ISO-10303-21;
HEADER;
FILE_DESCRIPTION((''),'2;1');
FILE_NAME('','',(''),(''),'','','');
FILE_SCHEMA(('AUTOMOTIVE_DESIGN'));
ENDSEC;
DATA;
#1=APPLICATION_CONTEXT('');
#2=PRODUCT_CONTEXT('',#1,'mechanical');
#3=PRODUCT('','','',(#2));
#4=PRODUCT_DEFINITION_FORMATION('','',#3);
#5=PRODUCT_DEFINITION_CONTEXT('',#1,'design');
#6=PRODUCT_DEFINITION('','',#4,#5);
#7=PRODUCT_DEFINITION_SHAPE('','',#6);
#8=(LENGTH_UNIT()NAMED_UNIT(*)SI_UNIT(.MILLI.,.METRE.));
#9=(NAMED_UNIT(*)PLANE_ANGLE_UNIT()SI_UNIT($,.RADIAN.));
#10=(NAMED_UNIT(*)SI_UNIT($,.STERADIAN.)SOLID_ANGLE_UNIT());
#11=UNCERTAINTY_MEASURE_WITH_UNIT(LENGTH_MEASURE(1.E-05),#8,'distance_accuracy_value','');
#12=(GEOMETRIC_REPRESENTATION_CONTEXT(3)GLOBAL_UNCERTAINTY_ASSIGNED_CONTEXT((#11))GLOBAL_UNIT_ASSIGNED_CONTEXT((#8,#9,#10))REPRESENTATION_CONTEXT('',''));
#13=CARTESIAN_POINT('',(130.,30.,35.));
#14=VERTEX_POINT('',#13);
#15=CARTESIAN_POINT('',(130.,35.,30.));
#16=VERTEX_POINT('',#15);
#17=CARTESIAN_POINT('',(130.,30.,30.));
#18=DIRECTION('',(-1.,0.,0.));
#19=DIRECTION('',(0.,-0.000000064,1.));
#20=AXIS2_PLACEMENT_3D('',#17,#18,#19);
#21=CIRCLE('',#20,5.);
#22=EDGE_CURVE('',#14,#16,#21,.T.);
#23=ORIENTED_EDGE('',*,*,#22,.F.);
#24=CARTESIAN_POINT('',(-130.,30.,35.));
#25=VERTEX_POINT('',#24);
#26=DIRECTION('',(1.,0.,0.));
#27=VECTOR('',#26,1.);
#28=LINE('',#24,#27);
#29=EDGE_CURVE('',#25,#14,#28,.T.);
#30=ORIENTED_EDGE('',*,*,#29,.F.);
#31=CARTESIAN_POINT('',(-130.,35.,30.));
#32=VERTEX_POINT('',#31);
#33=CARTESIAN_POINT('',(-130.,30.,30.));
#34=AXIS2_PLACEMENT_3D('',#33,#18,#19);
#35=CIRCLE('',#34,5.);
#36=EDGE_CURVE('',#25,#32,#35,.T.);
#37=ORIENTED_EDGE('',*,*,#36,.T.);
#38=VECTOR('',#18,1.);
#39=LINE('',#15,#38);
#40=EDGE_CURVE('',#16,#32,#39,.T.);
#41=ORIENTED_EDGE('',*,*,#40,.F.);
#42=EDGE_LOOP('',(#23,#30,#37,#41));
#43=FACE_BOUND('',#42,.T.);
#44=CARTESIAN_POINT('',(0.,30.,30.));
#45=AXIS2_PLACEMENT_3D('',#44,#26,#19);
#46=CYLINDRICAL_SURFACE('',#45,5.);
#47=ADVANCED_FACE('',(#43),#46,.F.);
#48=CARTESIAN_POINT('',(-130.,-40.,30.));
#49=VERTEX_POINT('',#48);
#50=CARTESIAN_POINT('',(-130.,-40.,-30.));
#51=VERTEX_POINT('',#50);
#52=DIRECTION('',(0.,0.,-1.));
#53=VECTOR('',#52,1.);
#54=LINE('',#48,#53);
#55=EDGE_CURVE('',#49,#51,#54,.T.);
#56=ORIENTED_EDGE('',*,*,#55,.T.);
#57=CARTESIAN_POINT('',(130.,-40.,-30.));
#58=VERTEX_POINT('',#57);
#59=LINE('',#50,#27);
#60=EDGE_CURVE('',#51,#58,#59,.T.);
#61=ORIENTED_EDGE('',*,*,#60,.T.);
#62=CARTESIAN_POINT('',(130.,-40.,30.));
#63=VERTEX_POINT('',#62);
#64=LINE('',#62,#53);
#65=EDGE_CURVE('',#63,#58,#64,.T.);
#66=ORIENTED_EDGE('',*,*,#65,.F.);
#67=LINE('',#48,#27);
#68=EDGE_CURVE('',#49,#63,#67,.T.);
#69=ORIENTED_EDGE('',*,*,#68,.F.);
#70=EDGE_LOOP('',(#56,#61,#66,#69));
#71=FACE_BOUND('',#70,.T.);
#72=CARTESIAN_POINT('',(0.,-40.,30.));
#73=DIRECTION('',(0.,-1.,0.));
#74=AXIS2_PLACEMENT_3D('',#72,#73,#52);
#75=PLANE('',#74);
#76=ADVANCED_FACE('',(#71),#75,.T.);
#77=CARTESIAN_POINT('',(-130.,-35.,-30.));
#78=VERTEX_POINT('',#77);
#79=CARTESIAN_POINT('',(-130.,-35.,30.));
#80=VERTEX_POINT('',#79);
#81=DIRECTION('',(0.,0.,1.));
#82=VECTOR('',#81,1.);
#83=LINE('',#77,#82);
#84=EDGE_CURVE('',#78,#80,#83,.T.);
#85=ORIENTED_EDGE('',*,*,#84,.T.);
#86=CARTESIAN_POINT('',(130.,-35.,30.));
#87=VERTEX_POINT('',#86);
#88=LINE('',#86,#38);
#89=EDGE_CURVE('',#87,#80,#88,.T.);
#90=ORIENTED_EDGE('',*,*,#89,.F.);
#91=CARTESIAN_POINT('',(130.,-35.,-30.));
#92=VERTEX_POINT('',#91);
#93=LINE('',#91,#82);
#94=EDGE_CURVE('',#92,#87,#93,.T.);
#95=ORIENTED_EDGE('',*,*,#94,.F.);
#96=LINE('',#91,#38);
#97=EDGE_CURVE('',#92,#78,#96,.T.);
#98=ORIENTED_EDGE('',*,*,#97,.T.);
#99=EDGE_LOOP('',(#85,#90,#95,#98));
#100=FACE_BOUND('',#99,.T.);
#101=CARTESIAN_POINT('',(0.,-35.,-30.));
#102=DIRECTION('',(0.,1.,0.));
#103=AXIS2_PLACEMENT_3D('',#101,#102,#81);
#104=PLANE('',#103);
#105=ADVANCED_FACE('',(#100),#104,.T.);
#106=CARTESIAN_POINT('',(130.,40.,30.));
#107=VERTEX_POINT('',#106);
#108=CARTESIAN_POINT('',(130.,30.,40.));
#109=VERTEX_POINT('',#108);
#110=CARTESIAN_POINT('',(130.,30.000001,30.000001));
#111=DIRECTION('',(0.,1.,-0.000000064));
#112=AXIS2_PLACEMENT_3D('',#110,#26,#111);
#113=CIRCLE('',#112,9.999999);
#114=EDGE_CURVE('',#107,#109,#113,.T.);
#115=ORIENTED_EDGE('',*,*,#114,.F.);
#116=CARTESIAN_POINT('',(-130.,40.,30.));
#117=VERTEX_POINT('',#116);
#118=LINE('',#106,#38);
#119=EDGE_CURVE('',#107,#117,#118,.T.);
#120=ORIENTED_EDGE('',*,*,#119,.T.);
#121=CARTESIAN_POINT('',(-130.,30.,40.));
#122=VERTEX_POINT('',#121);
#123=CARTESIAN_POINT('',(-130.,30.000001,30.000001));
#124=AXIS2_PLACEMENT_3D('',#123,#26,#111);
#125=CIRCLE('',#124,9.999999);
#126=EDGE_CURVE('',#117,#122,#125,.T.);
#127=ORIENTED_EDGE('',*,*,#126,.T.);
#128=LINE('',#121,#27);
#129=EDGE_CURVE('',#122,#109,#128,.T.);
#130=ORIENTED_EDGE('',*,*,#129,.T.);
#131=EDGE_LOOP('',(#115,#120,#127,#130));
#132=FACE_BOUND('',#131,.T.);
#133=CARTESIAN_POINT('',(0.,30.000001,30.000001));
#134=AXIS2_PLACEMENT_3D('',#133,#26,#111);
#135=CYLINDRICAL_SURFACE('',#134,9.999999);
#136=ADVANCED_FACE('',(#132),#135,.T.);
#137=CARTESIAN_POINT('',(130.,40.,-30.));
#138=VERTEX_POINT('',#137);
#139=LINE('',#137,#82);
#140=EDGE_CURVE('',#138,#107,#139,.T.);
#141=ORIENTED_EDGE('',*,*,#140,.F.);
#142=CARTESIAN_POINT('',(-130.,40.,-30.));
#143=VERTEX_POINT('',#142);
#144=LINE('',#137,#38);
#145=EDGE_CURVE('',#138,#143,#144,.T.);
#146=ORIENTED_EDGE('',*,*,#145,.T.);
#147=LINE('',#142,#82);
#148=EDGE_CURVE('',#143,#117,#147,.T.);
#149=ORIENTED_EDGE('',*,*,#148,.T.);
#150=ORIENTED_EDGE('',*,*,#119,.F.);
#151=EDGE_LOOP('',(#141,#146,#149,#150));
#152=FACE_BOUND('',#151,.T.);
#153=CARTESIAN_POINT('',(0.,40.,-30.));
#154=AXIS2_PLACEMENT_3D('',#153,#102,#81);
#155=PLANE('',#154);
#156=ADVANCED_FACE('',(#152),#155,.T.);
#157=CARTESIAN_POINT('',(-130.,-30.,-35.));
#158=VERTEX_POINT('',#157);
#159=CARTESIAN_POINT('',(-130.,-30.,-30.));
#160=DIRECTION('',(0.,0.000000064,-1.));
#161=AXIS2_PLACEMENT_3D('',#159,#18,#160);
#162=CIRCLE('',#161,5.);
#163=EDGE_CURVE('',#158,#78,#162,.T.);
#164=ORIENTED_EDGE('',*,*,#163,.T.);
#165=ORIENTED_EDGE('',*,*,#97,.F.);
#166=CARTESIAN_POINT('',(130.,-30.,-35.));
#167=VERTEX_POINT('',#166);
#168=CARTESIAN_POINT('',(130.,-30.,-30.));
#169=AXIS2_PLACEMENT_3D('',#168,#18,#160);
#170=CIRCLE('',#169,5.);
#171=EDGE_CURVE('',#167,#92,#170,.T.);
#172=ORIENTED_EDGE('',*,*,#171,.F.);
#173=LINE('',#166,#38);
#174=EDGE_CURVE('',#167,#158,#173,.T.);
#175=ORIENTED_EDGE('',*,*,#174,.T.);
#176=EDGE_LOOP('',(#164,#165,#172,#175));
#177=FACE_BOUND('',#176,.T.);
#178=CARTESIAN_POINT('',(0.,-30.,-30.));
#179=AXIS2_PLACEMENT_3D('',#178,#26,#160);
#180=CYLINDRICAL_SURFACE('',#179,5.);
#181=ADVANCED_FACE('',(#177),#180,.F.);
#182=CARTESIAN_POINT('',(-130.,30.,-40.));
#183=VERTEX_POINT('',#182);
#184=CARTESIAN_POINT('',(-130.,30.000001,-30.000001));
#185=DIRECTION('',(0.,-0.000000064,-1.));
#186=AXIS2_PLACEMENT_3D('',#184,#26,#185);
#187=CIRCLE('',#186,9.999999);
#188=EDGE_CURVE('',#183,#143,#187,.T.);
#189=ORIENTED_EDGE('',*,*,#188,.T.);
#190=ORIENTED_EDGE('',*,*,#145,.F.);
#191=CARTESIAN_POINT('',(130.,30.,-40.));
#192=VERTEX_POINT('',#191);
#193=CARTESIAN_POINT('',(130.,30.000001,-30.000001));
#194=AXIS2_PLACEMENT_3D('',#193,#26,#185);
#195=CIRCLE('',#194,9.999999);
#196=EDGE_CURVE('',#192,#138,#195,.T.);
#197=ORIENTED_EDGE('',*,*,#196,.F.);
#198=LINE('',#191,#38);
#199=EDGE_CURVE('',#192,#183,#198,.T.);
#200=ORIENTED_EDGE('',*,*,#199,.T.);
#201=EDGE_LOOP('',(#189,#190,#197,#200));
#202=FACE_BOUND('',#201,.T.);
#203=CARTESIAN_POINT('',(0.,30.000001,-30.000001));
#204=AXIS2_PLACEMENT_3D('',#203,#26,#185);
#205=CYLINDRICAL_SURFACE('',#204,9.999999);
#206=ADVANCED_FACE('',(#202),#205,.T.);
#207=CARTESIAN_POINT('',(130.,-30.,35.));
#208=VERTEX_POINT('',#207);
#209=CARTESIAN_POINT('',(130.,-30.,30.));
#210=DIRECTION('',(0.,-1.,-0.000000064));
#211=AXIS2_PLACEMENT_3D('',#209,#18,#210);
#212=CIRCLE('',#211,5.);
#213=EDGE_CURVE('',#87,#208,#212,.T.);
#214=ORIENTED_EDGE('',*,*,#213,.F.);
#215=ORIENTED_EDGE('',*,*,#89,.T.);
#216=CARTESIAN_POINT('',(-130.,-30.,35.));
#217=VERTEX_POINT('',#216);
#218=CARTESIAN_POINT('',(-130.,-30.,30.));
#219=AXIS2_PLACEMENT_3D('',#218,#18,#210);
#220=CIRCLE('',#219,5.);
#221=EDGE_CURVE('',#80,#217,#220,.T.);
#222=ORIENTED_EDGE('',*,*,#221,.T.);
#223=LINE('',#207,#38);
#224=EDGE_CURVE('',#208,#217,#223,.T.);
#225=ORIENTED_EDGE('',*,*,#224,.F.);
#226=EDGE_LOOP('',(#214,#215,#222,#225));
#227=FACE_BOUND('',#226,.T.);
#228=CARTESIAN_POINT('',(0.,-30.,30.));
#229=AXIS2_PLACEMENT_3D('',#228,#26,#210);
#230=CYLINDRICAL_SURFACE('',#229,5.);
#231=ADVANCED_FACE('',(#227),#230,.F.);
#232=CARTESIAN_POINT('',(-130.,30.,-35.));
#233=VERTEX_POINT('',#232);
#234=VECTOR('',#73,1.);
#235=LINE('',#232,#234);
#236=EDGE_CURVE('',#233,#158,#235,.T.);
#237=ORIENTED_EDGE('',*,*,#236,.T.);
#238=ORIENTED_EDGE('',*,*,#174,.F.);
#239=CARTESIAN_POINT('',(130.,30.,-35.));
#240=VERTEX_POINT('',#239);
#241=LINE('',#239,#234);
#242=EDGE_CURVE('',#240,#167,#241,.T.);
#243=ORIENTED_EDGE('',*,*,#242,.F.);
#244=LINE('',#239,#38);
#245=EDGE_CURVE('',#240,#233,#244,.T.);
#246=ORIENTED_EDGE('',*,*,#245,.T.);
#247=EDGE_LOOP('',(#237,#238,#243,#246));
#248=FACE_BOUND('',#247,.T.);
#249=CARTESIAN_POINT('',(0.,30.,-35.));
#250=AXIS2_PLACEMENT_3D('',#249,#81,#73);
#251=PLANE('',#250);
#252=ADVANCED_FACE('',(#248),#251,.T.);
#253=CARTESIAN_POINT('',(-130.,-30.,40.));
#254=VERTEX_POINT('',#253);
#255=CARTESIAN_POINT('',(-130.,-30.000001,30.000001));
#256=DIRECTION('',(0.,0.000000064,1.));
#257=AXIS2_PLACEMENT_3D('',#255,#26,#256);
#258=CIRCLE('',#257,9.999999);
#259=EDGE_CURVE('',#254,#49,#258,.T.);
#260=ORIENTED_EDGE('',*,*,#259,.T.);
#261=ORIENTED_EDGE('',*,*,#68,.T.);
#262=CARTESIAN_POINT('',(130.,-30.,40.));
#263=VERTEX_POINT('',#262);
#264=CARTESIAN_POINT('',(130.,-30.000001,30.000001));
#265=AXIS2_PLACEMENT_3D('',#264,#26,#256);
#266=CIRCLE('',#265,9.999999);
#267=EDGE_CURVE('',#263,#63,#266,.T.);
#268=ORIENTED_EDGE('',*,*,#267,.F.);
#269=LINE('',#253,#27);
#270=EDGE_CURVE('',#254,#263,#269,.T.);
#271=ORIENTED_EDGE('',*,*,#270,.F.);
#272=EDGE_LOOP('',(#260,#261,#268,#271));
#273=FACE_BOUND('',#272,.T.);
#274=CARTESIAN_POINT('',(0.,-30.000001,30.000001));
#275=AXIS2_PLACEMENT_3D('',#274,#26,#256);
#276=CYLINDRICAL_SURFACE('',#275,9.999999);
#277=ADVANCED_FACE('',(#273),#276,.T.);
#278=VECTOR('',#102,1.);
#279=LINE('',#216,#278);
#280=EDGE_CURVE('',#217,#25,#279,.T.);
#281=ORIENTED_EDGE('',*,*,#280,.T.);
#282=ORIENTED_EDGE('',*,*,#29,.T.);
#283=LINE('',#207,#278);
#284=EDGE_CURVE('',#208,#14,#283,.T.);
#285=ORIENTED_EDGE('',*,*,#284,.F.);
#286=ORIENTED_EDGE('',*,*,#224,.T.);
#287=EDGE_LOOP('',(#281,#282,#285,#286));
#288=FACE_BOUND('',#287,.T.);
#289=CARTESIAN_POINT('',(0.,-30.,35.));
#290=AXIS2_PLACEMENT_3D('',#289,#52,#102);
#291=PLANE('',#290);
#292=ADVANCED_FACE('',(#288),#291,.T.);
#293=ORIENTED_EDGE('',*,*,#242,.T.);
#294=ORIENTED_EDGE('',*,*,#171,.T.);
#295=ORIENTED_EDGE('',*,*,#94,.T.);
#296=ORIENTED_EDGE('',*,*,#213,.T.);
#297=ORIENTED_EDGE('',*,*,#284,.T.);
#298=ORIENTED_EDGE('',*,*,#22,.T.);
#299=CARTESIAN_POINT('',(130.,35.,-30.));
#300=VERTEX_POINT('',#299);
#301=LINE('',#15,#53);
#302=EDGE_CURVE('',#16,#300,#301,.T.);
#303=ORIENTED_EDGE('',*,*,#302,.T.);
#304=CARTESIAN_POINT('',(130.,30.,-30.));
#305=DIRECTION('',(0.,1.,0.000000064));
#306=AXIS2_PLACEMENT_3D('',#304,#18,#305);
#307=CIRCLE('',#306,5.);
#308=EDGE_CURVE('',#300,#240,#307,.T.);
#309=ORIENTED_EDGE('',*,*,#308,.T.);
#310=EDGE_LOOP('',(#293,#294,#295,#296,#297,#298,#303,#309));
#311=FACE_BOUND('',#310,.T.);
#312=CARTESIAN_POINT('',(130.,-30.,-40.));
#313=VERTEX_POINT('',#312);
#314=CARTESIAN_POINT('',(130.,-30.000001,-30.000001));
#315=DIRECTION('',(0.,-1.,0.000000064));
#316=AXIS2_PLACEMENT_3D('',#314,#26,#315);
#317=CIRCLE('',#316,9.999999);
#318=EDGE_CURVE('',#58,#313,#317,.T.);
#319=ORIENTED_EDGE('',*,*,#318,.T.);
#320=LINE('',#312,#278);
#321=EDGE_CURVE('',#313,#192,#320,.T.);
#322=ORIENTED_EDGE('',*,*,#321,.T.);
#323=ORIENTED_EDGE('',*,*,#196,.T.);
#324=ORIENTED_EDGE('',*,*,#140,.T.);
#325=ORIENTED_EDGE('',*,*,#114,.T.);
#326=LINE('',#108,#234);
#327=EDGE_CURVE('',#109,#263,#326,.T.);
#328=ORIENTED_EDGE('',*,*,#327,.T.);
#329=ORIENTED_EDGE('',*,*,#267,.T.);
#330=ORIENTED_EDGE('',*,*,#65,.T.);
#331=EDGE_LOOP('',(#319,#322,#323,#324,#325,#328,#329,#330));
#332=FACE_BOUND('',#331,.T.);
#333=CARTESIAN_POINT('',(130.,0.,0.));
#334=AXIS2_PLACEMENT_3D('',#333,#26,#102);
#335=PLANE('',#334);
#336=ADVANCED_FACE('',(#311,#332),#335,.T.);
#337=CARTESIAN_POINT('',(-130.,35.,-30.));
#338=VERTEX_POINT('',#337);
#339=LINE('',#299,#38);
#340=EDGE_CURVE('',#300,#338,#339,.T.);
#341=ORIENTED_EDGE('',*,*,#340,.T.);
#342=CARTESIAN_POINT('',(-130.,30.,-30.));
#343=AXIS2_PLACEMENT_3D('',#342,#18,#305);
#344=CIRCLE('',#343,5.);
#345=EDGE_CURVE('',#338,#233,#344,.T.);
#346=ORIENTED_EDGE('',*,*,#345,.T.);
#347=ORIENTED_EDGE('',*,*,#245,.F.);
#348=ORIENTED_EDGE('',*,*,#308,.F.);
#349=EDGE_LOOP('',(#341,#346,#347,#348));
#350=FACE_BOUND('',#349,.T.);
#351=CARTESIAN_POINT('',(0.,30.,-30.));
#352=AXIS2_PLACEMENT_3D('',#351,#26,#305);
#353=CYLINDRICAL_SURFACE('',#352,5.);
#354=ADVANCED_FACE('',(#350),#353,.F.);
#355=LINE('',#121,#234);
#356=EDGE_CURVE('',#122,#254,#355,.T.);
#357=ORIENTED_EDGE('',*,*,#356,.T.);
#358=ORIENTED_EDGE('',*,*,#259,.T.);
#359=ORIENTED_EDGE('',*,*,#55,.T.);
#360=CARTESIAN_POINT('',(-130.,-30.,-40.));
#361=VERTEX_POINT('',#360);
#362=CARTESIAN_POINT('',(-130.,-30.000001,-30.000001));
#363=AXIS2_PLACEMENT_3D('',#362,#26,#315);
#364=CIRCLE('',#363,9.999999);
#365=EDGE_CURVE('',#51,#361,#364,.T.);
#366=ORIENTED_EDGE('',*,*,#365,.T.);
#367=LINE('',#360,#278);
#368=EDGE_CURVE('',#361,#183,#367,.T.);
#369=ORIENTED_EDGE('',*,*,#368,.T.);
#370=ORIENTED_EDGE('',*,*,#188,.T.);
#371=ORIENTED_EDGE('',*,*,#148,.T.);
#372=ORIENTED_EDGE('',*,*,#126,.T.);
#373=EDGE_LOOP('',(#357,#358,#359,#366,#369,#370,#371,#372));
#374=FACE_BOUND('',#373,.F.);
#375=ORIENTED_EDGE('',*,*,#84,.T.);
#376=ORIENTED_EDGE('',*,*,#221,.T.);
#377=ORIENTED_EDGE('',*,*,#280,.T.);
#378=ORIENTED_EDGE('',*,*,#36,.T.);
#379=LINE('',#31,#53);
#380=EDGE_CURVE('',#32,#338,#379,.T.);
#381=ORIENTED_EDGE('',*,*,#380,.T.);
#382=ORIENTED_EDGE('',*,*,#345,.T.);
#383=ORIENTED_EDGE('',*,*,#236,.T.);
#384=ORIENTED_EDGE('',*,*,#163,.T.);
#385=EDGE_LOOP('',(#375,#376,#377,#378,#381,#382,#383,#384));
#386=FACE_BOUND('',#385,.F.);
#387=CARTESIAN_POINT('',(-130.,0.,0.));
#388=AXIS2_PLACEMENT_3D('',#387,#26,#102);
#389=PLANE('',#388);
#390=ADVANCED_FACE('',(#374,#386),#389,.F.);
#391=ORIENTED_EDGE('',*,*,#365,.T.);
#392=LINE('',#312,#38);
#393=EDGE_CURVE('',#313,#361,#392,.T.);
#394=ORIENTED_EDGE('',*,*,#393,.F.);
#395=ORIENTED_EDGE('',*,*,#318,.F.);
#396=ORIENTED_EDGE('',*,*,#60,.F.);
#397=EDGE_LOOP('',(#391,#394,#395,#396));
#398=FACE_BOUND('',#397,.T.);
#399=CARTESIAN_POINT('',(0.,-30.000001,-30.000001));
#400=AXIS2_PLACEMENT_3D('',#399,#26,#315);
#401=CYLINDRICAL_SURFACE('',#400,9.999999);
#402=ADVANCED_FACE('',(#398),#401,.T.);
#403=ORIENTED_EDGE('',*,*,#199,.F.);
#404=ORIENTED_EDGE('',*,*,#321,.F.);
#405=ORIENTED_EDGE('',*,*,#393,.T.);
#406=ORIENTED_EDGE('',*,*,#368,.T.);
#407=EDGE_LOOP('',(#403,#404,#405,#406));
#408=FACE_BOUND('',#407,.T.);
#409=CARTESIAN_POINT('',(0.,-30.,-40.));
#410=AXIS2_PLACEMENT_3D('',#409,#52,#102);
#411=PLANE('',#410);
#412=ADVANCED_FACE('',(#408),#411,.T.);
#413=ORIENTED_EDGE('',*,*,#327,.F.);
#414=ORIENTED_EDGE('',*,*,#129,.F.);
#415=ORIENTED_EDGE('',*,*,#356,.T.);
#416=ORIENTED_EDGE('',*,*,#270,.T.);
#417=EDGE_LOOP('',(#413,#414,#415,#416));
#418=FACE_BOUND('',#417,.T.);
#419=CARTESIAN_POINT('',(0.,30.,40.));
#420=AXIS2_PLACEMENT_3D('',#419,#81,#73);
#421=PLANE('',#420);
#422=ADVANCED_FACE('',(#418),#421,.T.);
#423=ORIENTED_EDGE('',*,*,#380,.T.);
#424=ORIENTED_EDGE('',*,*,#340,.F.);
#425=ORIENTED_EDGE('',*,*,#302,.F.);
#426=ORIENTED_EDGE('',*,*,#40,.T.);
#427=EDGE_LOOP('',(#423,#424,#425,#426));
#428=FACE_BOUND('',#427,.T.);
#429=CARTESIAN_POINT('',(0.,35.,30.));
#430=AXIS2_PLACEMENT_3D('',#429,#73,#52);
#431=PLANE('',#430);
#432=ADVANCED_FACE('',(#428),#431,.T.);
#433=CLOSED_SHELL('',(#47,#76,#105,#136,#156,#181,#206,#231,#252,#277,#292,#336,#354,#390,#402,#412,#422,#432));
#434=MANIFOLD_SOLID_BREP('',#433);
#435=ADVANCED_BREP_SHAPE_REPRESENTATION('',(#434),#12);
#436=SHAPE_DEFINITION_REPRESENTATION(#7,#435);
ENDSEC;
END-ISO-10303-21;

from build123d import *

# Parameters (mm, degrees)
F1_DEPTH = 130


with BuildPart() as f1:
    # F0 (on Right) → F1 (new body, symmetric)
    with BuildSketch(Plane.YZ):
        with BuildLine():
            ThreePointArc((40, 30), (37.071068, 37.071068), (30, 40))
            Line((30, 40), (-30, 40))
            ThreePointArc((-30, 40), (-37.071068, 37.071068), (-40, 30))
            Line((-40, 30), (-40, -30))
            ThreePointArc((-40, -30), (-37.071068, -37.071068), (-30, -40))
            Line((-30, -40), (30, -40))
            ThreePointArc((30, -40), (37.071068, -37.071068), (40, -30))
            Line((40, -30), (40, 30))
        make_face()
        with BuildLine():
            ThreePointArc((30, 35), (33.535534, 33.535534), (35, 30))
            Line((35, 30), (35, -30))
            ThreePointArc((35, -30), (33.535534, -33.535534), (30, -35))
            Line((30, -35), (-30, -35))
            ThreePointArc((-30, -35), (-33.535534, -33.535534), (-35, -30))
            Line((-35, -30), (-35, 30))
            ThreePointArc((-35, 30), (-33.535534, 33.535534), (-30, 35))
            Line((-30, 35), (30, 35))
        make_face(mode=Mode.SUBTRACT)
    extrude(amount=F1_DEPTH, both=True)


solid = f1.part
